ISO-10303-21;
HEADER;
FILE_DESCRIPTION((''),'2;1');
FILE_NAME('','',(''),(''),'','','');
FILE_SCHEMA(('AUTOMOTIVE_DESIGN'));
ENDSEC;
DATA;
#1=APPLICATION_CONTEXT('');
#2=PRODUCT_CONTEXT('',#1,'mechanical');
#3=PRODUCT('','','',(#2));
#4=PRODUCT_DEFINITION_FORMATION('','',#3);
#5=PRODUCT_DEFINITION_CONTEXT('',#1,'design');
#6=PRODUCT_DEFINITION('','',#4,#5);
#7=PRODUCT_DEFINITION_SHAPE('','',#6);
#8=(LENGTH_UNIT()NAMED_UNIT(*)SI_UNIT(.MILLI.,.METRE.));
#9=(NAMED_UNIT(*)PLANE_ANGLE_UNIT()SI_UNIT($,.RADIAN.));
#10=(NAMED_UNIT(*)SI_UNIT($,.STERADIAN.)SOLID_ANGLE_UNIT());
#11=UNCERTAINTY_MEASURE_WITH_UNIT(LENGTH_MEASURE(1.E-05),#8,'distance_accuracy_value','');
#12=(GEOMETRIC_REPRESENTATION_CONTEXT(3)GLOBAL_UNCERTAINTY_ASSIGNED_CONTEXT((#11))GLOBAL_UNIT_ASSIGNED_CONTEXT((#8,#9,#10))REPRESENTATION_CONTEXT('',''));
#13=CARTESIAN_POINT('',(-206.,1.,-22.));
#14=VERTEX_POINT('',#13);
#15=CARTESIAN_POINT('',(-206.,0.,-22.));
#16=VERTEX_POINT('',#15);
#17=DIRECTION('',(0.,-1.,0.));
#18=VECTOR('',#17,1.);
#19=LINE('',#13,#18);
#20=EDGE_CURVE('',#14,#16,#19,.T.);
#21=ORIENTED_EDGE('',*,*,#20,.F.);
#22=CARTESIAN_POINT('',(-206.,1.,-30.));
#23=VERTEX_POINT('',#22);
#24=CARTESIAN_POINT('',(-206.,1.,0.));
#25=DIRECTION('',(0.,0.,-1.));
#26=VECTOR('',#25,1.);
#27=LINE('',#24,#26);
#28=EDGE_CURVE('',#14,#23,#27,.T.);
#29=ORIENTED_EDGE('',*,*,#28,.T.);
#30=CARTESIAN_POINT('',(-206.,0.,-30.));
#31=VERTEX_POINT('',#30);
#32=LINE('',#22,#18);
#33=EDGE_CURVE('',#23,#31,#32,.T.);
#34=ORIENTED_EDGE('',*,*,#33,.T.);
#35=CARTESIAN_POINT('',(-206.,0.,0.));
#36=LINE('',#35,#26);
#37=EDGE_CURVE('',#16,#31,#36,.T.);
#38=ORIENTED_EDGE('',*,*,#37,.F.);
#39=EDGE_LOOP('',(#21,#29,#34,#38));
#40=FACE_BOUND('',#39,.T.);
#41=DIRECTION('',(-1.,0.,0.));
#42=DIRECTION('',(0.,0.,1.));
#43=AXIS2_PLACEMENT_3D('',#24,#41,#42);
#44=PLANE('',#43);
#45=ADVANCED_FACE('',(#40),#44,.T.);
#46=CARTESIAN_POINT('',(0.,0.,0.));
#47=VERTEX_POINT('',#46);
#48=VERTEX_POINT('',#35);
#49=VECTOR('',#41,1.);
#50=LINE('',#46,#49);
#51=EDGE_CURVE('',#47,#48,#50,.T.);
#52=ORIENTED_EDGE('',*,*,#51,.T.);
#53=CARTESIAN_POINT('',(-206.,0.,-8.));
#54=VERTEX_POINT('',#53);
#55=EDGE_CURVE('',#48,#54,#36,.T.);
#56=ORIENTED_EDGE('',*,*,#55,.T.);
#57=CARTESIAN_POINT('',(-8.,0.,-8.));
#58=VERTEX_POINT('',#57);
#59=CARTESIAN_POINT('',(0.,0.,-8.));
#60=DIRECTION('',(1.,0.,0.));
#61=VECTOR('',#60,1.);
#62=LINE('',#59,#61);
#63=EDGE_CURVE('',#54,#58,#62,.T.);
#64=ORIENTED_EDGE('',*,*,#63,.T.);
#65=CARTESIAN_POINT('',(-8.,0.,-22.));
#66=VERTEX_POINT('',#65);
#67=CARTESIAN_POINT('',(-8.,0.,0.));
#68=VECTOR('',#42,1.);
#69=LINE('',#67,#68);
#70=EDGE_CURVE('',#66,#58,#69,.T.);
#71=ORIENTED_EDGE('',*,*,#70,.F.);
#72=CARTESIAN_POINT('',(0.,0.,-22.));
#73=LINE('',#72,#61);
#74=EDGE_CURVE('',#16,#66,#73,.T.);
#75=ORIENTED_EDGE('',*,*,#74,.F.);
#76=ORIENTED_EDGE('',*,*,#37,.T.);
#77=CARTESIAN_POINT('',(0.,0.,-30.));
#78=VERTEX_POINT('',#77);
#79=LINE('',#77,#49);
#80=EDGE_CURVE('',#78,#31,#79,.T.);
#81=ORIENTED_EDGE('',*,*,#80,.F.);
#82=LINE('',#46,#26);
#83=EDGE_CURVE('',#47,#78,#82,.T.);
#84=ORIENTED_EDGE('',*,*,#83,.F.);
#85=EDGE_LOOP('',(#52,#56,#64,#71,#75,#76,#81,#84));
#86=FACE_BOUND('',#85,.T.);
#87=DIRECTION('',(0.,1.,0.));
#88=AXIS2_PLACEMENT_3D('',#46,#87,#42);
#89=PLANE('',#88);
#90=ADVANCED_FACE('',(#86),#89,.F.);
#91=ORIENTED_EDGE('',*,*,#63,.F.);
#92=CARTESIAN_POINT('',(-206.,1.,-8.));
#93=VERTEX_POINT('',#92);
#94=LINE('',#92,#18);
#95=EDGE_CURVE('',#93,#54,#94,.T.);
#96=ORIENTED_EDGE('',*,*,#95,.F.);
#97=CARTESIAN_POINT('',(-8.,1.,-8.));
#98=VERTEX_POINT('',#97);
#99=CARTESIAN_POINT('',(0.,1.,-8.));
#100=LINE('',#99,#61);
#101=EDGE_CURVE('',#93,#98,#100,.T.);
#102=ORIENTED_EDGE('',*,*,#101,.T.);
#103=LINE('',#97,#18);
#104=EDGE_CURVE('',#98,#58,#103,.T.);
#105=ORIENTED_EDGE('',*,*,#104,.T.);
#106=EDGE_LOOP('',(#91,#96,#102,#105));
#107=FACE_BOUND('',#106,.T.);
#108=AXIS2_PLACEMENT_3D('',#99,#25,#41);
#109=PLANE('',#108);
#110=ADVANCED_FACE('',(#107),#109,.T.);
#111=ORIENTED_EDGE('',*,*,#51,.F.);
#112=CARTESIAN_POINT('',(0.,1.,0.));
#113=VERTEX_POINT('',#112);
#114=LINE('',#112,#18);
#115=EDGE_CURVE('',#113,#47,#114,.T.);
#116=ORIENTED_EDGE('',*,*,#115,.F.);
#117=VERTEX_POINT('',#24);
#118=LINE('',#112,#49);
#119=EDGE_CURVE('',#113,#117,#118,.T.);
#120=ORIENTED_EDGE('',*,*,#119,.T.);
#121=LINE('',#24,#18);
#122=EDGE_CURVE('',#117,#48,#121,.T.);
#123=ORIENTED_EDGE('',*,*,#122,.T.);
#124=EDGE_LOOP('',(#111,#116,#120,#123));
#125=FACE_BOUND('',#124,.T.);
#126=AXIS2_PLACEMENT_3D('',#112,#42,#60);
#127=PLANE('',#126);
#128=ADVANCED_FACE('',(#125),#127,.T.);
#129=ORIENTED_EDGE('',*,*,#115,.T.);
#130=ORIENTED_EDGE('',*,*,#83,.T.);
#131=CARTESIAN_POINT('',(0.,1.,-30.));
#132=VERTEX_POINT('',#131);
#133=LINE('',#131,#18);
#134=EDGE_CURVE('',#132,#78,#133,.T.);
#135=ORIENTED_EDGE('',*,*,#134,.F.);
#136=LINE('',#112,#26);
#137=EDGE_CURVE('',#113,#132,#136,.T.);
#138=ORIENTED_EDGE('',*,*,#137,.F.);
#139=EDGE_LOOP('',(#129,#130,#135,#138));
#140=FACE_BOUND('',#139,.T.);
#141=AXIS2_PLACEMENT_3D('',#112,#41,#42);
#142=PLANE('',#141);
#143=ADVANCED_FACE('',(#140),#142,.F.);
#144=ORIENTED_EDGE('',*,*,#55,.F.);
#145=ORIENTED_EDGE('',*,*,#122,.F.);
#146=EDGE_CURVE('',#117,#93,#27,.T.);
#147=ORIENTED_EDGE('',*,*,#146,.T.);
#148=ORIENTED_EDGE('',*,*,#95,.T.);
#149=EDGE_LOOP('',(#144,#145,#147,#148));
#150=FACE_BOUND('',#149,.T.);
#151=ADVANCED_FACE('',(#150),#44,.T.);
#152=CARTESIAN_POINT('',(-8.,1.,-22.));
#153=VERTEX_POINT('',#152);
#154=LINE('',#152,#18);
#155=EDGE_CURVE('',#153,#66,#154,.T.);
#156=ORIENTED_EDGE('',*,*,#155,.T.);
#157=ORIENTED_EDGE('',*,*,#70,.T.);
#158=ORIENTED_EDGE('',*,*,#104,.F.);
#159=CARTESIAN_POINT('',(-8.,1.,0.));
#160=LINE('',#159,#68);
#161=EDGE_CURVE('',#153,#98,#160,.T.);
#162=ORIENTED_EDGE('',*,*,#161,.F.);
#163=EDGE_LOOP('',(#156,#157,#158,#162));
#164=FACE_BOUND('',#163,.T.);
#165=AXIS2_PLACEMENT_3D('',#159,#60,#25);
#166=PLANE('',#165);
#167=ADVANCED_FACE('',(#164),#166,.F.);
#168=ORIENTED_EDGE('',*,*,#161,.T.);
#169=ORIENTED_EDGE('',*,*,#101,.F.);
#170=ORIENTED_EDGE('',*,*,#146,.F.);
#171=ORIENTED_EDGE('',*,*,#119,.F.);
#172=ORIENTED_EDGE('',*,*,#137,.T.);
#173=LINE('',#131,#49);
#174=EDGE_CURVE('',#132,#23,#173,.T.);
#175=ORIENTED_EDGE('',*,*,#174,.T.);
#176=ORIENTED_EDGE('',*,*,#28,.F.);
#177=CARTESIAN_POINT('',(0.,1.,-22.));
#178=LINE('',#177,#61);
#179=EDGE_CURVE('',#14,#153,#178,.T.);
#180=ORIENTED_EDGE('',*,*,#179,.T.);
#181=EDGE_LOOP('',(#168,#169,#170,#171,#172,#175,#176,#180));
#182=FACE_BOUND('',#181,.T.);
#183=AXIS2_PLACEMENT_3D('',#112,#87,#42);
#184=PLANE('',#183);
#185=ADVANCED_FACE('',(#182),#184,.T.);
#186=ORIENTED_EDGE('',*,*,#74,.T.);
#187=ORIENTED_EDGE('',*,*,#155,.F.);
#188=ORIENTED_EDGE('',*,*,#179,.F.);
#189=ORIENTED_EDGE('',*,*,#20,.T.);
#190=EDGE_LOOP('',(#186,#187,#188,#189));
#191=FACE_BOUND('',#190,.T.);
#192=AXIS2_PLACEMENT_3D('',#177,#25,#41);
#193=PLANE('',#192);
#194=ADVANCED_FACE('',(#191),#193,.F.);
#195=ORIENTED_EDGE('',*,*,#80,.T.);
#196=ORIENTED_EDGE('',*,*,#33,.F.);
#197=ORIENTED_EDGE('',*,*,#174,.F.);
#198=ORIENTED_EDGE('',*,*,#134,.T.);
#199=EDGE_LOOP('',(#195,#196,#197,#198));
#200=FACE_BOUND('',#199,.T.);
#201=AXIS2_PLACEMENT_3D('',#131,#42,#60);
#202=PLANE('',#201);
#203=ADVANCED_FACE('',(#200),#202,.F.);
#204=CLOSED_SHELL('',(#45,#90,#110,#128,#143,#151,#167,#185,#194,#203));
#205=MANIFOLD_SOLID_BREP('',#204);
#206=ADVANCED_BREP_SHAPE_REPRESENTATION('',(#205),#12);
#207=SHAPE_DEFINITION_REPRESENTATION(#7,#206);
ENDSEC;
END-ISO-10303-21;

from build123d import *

# Parameters (mm, degrees)
BOSS_EXTRUDE1_DEPTH = 1


with BuildPart() as part:
    # Sketch7 → Boss-Extrude1 (new body)
    with BuildSketch(Plane(origin=(0, 0, 0), x_dir=(1, 0, 0), z_dir=(0, 1, 0))):
        Polygon((-206, 8), (-8, 8), (-8, 22), (-206, 22), (-206, 30), (0, 30), (0, 0), (-206, 0), align=None)
    extrude(amount=BOSS_EXTRUDE1_DEPTH)


solid = part.part
